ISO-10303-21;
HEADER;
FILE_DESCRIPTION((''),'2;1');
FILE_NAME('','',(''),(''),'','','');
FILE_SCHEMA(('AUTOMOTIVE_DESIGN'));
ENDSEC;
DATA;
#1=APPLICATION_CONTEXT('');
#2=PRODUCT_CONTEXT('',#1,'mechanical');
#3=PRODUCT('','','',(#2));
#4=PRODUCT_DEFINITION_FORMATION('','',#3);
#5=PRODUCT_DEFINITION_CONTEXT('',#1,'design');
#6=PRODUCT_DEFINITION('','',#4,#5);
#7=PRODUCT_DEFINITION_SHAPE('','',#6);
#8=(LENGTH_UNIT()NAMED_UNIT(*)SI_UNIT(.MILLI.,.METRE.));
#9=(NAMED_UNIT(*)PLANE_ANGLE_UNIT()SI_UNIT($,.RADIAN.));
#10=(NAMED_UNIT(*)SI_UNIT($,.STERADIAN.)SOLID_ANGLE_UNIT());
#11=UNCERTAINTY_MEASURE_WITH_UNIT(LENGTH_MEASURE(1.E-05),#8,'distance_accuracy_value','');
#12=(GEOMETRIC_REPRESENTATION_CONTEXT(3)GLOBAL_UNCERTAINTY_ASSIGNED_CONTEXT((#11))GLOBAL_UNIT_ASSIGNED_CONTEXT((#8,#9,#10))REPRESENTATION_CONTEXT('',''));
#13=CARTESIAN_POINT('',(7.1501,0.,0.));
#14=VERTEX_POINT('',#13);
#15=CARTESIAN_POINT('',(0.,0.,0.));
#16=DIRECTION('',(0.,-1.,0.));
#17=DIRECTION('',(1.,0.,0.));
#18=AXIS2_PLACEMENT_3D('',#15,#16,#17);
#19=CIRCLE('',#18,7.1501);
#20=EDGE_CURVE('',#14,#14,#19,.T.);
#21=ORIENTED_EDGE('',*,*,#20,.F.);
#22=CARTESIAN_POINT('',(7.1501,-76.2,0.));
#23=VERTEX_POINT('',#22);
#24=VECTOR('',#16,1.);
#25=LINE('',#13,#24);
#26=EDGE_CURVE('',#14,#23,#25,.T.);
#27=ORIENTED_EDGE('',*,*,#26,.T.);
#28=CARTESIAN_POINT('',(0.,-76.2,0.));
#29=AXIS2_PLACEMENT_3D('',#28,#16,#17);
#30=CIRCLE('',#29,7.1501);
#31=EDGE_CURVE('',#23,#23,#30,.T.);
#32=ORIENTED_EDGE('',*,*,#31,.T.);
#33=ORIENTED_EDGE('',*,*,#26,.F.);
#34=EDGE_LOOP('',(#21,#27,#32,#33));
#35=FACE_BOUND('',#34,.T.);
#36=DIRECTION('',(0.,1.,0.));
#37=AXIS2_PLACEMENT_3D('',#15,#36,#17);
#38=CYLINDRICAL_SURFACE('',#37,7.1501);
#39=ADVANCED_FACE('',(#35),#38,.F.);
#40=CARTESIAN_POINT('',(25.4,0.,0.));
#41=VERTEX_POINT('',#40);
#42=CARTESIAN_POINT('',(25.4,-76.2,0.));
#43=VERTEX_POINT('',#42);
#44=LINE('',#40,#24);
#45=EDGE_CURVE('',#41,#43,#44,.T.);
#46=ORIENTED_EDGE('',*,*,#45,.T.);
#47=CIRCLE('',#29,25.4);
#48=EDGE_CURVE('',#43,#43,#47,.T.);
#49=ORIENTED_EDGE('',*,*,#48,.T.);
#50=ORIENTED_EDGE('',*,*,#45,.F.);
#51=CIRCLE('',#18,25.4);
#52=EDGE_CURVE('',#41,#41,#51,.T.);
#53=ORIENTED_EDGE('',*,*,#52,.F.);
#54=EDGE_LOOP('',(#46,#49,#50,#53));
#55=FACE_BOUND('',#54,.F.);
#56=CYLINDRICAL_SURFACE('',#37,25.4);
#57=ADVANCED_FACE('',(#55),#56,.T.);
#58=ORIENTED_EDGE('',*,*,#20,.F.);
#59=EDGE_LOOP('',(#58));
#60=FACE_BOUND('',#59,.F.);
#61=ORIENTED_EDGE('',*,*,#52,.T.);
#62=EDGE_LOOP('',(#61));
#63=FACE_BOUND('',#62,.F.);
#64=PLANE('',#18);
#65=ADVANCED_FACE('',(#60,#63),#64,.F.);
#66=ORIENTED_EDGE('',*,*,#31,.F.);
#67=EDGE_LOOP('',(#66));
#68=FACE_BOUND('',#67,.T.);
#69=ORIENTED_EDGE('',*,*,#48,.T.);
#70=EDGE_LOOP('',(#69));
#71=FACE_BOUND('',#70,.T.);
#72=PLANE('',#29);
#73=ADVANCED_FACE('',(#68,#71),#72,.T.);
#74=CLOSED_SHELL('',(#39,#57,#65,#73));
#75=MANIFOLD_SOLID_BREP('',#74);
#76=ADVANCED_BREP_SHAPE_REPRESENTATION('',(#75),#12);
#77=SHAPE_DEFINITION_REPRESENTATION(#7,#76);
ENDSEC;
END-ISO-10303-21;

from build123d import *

# Parameters (mm, degrees)
F0_R     = 25.4
F0_R_2   = 7.1501
F1_DEPTH = 76.2
F3_R     = 25.4
F3_R_2   = 7.1501
F4_DEPTH = 76.2


with BuildPart() as f1:
    # F0 (on Right) → F1 (new body)
    with BuildSketch(Plane.YZ):
        Circle(F0_R)
        Circle(F0_R_2, mode=Mode.SUBTRACT)
    extrude(amount=F1_DEPTH)


with BuildPart() as f4:
    # F3 (on Front) → F4 (new body)
    with BuildSketch(Plane.XZ):
        Circle(F3_R)
        Circle(F3_R_2, mode=Mode.SUBTRACT)
    extrude(amount=F4_DEPTH)


solid = f4.part
